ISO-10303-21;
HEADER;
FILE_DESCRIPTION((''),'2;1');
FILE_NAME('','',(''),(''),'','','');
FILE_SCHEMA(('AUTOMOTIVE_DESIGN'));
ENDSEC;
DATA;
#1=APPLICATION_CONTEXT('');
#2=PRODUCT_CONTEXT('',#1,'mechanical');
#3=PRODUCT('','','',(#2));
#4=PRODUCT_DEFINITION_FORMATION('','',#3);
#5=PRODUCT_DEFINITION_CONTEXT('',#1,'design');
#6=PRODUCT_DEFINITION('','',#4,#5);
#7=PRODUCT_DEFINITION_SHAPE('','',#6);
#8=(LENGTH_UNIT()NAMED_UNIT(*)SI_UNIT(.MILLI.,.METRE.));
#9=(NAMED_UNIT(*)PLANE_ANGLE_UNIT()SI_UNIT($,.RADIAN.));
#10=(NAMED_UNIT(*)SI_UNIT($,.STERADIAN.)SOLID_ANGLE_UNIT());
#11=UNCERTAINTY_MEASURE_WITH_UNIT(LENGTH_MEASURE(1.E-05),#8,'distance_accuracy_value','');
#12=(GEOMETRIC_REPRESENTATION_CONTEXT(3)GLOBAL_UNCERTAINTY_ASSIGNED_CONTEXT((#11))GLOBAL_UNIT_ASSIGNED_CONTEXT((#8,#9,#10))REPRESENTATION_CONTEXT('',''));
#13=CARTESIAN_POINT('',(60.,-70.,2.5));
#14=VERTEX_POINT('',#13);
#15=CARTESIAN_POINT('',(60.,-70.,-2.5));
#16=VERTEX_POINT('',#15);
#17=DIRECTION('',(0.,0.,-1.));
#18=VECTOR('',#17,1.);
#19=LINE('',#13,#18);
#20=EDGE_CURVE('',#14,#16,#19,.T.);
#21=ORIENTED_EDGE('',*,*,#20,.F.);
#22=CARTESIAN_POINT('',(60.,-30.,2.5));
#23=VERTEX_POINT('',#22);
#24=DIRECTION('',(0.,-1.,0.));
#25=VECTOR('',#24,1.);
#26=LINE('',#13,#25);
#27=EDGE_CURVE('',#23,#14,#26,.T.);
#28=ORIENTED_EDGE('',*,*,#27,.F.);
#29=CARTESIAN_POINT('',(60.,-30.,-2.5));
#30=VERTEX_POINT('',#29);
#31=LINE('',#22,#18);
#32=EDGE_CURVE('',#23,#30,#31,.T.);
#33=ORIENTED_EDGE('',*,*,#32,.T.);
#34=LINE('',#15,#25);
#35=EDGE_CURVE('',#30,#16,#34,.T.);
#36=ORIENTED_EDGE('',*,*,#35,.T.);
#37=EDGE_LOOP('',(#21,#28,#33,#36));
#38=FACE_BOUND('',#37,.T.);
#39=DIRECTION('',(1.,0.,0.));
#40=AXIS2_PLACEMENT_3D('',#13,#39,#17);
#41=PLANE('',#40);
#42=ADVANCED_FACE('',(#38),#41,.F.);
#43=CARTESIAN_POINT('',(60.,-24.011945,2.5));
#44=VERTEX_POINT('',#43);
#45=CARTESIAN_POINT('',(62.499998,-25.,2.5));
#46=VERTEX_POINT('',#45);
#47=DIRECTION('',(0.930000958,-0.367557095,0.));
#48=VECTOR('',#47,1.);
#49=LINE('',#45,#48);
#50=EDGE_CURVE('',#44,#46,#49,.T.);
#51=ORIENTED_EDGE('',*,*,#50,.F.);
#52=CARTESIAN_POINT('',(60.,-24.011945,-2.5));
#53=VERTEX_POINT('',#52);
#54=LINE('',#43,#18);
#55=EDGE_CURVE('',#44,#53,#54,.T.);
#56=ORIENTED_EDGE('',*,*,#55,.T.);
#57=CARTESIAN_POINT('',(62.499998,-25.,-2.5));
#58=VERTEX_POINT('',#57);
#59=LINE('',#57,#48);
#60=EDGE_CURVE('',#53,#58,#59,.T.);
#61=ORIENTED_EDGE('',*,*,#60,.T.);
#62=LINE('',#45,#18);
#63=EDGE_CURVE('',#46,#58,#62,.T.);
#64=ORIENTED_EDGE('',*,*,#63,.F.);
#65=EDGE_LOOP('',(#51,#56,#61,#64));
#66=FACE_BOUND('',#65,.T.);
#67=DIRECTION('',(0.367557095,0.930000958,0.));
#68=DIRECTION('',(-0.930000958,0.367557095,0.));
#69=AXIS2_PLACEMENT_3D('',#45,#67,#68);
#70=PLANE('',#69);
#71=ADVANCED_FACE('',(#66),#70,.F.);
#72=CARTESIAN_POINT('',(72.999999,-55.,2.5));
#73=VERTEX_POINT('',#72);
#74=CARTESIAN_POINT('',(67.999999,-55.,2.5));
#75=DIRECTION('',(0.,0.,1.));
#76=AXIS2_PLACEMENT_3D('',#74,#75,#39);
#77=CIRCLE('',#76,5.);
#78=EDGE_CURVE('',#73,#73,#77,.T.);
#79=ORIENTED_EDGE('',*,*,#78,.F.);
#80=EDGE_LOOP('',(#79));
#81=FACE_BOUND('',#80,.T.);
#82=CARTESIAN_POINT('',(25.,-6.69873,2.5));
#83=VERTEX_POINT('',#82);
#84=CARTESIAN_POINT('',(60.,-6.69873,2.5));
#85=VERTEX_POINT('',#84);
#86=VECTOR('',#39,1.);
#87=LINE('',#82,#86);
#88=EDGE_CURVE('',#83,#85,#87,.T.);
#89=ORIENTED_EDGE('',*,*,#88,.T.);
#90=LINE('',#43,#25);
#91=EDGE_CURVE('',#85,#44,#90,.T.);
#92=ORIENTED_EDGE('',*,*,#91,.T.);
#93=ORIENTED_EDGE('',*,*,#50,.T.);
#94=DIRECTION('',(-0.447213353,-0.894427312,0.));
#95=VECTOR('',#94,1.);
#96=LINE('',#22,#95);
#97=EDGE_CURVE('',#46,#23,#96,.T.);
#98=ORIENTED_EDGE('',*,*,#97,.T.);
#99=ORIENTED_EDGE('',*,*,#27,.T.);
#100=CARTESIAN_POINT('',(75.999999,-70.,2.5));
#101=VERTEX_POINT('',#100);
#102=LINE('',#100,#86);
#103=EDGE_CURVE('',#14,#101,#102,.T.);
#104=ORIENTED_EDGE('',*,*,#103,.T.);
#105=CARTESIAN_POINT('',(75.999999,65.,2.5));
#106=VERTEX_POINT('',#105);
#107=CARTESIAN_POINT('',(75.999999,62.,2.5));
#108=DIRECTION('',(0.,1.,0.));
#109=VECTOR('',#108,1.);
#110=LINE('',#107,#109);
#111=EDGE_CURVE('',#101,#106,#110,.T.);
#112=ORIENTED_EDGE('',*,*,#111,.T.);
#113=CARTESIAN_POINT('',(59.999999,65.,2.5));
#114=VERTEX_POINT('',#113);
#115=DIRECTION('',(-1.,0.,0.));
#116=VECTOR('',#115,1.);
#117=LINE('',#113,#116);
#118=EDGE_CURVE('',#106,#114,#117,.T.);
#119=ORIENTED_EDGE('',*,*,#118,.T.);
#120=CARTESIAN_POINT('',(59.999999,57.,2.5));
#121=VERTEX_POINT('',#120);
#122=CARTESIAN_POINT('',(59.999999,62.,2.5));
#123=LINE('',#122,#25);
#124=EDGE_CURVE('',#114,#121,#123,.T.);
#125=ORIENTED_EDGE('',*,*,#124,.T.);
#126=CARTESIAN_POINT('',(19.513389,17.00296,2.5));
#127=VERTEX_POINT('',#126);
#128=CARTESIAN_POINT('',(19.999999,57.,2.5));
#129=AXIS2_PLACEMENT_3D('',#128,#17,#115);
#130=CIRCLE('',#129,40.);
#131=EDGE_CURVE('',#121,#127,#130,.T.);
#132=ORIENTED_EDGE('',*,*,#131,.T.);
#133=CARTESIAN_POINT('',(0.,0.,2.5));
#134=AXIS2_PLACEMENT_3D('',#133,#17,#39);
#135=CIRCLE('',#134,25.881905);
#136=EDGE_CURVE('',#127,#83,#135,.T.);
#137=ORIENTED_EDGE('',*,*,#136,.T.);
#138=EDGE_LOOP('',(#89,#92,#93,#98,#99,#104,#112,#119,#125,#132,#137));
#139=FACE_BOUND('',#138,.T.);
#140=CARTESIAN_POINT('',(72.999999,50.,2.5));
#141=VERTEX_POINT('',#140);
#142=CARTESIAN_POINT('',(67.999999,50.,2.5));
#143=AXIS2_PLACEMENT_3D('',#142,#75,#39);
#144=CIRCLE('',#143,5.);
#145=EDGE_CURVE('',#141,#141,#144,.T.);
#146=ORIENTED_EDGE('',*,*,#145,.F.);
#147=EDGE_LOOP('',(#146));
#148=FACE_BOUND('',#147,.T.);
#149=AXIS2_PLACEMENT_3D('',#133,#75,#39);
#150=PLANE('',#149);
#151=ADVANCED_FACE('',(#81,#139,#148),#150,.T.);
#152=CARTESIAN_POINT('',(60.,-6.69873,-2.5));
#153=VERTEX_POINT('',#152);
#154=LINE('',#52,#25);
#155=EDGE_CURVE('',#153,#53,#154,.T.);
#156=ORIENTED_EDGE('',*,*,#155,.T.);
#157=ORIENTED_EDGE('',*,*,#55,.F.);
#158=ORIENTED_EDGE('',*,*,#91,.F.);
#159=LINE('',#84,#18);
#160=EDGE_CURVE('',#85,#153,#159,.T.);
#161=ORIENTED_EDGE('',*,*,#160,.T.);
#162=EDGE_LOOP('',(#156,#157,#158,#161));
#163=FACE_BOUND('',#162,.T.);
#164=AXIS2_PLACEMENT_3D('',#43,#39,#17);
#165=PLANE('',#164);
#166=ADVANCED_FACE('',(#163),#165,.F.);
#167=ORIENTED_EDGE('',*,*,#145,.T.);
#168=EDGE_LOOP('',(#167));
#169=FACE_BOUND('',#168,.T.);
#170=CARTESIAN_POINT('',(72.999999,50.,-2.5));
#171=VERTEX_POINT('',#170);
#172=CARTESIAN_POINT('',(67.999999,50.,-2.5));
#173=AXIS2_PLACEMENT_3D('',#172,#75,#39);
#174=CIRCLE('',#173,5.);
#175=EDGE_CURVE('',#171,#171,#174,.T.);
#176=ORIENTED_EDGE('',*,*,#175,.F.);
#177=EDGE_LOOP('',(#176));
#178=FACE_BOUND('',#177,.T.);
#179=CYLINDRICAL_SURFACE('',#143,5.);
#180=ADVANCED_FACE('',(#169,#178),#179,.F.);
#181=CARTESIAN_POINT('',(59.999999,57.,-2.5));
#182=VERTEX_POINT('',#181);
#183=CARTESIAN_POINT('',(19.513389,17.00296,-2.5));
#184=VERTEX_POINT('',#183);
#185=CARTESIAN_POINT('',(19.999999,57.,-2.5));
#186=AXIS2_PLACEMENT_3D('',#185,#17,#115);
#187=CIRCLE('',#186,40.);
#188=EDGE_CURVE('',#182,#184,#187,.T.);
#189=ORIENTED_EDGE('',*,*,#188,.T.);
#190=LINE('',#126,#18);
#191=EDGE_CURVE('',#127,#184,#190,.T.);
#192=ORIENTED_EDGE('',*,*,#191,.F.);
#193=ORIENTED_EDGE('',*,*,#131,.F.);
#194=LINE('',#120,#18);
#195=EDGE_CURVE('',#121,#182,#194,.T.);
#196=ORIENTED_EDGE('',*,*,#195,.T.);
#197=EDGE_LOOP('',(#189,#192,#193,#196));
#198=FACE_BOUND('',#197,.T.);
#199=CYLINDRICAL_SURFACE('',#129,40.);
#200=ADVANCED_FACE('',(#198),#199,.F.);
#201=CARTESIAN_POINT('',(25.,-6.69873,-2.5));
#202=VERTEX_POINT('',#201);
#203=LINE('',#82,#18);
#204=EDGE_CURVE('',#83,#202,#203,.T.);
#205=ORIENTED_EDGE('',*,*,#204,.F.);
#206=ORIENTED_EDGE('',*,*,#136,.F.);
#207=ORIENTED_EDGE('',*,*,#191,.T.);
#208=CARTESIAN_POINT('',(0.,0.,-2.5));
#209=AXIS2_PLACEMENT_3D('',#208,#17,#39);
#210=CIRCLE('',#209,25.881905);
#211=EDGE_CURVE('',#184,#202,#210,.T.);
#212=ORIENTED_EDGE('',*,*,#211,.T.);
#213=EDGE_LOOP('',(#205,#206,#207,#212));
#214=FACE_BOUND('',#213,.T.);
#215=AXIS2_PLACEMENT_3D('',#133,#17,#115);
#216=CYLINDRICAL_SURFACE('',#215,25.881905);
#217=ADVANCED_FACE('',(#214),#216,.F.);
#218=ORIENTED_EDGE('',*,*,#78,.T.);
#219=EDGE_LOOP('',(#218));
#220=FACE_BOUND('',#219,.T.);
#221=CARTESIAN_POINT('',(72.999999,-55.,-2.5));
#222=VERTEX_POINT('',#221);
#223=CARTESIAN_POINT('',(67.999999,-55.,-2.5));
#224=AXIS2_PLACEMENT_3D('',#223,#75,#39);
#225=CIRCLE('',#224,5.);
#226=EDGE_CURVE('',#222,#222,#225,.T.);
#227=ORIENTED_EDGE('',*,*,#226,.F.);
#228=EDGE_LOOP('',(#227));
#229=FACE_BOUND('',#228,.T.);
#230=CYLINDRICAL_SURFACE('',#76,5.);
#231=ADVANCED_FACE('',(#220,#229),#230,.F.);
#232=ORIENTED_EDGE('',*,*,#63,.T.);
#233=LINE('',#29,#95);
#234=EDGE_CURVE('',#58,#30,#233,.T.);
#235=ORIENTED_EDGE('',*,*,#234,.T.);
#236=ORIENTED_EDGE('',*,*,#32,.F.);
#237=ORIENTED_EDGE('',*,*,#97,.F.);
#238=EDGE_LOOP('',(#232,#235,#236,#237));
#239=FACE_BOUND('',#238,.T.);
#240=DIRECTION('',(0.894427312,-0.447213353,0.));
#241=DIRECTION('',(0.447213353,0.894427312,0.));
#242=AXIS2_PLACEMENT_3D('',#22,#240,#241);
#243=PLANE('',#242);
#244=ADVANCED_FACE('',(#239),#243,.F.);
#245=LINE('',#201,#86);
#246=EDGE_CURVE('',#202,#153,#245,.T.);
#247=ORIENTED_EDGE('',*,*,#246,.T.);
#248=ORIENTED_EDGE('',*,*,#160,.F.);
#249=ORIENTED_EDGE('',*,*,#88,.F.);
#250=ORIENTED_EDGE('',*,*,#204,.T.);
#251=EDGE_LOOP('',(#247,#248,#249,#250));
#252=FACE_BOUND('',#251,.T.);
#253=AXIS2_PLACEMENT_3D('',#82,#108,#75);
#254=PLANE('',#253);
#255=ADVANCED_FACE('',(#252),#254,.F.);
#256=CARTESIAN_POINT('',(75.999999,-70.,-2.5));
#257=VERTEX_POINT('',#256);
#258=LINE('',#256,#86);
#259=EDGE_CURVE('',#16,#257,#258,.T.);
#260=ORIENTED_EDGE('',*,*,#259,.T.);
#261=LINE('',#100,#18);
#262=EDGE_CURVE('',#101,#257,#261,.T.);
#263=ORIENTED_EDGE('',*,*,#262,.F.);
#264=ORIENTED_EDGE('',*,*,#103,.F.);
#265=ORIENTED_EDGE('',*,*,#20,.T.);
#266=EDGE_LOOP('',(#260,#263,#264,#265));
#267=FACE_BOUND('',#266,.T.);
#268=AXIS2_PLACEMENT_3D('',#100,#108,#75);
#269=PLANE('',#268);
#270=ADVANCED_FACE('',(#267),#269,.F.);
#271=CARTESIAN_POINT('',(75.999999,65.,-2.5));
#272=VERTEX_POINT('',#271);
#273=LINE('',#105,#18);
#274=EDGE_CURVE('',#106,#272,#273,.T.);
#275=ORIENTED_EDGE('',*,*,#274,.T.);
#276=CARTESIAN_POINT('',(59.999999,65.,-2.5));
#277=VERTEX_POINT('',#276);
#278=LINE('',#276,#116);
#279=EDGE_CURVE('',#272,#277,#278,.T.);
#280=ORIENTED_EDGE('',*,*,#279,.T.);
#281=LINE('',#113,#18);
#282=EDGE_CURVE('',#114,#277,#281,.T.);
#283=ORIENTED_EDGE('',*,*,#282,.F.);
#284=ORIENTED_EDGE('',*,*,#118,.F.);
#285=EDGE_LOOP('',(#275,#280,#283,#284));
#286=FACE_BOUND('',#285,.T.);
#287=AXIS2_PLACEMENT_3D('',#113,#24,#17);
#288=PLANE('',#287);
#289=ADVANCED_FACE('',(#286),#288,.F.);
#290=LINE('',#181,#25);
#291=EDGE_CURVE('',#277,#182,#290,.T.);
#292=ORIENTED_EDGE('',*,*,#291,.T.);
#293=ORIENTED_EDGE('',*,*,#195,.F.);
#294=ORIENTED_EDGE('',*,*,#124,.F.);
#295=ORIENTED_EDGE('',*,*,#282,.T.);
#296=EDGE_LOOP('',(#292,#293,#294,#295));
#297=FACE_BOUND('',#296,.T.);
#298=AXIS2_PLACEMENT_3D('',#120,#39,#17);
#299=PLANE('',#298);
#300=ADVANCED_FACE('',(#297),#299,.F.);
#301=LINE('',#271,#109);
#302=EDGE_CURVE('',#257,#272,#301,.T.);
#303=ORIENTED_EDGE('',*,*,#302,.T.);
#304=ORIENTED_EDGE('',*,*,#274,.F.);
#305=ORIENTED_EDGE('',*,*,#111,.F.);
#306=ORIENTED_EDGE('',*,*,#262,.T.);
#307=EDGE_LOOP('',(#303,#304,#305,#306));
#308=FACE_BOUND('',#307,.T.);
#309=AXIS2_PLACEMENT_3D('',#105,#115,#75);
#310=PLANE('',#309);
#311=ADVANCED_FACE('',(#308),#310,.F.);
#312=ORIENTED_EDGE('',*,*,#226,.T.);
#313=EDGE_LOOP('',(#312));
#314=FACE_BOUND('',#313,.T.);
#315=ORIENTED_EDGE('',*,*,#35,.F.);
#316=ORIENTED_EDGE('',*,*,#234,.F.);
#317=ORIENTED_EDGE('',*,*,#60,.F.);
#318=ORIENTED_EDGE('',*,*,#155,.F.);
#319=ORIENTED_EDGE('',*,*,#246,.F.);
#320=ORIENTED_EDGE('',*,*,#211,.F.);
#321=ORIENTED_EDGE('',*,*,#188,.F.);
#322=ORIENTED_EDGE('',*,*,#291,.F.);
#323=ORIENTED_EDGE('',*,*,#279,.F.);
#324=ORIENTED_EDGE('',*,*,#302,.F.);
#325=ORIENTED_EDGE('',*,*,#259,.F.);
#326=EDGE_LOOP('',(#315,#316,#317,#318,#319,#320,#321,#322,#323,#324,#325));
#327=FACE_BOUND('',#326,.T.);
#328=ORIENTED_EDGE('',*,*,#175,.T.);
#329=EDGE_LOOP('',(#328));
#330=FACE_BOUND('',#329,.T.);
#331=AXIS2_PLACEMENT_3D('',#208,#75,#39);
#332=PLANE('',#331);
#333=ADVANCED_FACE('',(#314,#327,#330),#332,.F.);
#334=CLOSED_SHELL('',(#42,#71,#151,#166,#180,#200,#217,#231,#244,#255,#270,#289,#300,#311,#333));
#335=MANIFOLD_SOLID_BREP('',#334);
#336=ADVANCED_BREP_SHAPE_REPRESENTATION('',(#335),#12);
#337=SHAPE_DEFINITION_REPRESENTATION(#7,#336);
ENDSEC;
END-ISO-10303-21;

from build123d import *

# Parameters (mm, degrees)
BOSS_EXTRUDE1_DEPTH        = 2.5
F_10_0_10_DIAMETER_HOLE1_D = 10


with BuildPart() as part:
    # Sketch4 → Boss-Extrude1 (new, symmetric)
    with BuildSketch(Plane.XY):
        with BuildLine():
            Line((25, -6.698729811), (60, -6.698729811))
            Line((60, -6.698729811), (60, -24.011944979))
            Line((60, -24.011944979), (62.499998309, -25))
            Line((62.499998309, -25), (60, -30))
            Line((60, -30), (60, -70))
            Line((60, -70), (75.99999851, -70))
            Line((75.99999851, -70), (75.99999851, 62))
            Line((75.99999851, 62), (75.99999851, 65))
            Line((75.99999851, 65), (59.99999851, 65))
            Line((59.99999851, 65), (59.99999851, 62))
            Line((59.99999851, 62), (59.99999851, 57))
            ThreePointArc((59.99999851, 57), (48.111700718, 28.544206232), (19.513388562, 17.002959975))
            ThreePointArc((19.513388562, 17.002959975), (25.21513365, 5.836952637), (25, -6.698729811))
        make_face()
    extrude(amount=BOSS_EXTRUDE1_DEPTH, both=True)

    # Ø10.0 (10) Diameter Hole1 (through all)
    with Locations(Plane.XY.offset(2.5)):
        with Locations((67.99999851, 50), (67.99999851, -55)):
            Hole(F_10_0_10_DIAMETER_HOLE1_D / 2)


solid = part.part
